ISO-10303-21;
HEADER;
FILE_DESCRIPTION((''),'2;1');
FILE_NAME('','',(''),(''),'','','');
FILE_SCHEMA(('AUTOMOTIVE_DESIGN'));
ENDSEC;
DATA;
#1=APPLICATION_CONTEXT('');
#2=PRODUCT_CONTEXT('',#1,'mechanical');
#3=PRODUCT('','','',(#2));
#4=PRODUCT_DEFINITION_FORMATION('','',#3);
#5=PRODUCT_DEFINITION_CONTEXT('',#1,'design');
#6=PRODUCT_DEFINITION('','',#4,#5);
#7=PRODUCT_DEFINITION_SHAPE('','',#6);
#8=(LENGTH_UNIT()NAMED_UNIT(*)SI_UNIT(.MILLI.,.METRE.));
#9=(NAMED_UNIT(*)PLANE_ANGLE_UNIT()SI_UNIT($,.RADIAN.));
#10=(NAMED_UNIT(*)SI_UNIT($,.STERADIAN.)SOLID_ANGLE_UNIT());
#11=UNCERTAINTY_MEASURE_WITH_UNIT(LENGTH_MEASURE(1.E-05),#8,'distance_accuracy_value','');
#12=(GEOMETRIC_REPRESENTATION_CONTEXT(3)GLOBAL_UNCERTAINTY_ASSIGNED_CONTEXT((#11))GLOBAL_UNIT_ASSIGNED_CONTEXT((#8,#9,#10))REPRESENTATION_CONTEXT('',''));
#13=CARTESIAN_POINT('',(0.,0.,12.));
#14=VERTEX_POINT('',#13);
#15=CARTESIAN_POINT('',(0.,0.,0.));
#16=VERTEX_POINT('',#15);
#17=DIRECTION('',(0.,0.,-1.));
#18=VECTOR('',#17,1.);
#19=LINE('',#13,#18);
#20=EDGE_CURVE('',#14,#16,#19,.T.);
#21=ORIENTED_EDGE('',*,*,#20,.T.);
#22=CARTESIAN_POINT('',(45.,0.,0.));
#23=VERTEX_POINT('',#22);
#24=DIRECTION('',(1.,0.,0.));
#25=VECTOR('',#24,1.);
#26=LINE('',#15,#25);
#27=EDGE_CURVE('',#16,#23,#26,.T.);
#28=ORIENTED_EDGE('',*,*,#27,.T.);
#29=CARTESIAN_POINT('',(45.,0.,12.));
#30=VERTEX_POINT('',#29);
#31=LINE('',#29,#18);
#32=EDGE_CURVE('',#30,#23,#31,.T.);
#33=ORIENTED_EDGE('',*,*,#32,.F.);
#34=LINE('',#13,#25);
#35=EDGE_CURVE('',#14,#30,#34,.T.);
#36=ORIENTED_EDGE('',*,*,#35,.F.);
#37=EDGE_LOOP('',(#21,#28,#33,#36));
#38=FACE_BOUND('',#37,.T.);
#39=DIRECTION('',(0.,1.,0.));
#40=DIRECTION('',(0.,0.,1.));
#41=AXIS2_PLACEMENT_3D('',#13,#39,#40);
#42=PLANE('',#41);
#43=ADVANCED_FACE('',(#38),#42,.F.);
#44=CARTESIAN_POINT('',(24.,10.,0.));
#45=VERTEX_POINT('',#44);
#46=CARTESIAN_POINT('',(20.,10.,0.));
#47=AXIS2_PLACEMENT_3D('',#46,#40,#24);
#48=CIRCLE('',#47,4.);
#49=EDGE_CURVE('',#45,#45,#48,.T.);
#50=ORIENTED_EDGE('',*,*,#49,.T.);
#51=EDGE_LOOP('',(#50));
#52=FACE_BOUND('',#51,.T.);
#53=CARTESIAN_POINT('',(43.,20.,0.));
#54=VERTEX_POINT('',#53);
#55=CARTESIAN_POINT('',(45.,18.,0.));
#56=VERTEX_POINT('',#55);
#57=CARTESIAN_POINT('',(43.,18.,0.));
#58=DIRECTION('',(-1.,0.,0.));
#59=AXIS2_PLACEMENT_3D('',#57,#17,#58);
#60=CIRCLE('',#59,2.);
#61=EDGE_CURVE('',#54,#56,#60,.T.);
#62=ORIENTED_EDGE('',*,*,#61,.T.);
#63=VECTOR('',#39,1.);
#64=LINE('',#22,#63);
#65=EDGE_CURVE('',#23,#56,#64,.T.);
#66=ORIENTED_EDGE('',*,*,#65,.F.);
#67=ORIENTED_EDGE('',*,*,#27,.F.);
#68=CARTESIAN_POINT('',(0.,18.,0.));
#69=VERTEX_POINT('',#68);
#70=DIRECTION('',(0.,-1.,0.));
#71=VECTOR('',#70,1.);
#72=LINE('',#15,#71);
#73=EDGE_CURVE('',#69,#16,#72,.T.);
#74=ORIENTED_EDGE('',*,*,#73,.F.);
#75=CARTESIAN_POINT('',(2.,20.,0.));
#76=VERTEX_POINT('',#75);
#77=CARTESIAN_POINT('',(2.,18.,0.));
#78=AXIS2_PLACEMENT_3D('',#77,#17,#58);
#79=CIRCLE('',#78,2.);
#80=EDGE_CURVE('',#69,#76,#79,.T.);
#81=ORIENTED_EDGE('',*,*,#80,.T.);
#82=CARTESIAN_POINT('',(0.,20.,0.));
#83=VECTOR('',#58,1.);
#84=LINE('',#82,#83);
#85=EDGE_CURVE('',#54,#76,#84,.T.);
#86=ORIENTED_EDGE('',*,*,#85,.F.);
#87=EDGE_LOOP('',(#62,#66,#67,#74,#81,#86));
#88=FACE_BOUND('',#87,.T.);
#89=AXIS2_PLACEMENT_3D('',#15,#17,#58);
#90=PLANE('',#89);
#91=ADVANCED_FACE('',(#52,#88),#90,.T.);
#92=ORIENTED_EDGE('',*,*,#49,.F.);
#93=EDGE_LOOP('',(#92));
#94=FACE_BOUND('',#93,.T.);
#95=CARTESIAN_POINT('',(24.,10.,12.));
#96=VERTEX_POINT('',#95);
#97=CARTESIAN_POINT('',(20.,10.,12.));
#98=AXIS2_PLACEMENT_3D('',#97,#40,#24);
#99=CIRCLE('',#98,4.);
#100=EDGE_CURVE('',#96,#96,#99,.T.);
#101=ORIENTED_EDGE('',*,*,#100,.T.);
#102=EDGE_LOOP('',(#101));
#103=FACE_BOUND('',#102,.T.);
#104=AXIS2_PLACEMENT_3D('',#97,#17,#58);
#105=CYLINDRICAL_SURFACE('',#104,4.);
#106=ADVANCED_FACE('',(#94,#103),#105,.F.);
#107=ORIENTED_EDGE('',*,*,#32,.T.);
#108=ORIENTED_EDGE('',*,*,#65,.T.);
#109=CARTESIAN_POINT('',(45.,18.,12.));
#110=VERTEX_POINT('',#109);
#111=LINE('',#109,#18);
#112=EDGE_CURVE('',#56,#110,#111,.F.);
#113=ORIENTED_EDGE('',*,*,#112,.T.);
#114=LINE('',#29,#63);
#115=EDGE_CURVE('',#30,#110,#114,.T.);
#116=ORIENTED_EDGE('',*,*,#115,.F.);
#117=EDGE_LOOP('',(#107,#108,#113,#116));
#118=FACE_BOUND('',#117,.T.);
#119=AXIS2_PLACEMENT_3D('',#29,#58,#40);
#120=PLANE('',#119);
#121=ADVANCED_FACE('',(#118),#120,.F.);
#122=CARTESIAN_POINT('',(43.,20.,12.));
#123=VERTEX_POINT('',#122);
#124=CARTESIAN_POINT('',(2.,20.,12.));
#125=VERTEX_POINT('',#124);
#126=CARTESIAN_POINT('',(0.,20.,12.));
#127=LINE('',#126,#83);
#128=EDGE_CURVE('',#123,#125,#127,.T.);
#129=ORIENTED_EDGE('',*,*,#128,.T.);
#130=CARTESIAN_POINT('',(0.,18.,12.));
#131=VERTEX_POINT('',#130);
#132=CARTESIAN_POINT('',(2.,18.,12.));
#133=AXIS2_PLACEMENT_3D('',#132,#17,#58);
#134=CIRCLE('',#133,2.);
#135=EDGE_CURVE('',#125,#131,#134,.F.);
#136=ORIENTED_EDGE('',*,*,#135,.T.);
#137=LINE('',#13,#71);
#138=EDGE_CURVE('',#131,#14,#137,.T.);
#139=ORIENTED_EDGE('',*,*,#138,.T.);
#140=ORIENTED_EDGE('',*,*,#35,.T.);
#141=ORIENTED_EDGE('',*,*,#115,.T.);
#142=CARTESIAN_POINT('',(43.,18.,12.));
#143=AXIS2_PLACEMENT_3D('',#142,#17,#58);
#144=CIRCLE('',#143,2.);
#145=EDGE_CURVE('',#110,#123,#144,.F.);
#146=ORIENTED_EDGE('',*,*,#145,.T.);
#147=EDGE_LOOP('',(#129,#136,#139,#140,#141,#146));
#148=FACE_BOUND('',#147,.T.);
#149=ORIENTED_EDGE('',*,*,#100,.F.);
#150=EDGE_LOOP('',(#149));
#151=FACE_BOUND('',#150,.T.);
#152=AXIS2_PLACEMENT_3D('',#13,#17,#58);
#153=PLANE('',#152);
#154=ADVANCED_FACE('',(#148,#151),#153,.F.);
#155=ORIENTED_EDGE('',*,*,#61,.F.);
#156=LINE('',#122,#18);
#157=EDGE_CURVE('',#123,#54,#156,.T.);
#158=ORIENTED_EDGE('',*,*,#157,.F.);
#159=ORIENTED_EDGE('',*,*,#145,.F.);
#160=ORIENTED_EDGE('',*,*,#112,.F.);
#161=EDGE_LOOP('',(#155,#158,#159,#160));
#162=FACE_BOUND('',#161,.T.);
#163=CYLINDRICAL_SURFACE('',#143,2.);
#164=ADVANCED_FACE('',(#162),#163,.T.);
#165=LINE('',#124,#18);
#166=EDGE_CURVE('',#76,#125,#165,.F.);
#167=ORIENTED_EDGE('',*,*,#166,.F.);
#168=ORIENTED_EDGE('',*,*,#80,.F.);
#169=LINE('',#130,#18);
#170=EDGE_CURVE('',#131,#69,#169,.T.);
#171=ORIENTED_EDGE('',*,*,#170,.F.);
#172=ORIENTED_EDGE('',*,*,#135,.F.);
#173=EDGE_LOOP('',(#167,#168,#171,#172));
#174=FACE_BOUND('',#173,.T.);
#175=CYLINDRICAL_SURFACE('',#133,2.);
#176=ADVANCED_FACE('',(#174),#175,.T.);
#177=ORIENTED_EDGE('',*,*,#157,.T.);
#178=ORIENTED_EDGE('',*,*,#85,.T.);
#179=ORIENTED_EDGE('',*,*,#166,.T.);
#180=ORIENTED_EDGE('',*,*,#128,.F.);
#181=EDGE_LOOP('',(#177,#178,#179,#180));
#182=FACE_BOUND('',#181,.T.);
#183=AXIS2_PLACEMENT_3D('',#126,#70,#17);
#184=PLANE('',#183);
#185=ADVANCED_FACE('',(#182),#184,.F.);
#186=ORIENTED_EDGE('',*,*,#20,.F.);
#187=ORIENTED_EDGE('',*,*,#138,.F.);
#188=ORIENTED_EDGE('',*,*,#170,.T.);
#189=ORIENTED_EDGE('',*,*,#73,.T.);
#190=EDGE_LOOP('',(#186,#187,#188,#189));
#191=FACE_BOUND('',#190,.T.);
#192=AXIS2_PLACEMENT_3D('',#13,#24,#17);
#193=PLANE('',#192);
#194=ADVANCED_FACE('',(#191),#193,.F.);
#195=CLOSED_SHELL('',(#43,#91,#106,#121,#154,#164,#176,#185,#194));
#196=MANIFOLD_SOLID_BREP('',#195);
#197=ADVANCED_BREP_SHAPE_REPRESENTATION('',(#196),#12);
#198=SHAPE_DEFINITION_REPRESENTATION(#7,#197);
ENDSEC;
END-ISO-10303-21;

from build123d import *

# Parameters (mm, degrees)
SKETCH1_W           = 45
SKETCH1_H           = 20
SKETCH1_R           = 4
BOSS_EXTRUDE1_DEPTH = 12
FILLET1_R           = 2


with BuildPart() as part:
    # Sketch1 → Boss-Extrude1 (new body)
    with BuildSketch(Plane.XY):
        with Locations((22.5, 10)):
            Rectangle(SKETCH1_W, SKETCH1_H)
        with Locations((20, 10)):
            Circle(SKETCH1_R, mode=Mode.SUBTRACT)
    extrude(amount=BOSS_EXTRUDE1_DEPTH)

    # Fillet1
    fillet1_edges = [part.edges().sort_by_distance(p)[0] for p in [
        (0, 20, 6),
        (45, 20, 6),
    ]]
    fillet(fillet1_edges, radius=FILLET1_R)


solid = part.part
